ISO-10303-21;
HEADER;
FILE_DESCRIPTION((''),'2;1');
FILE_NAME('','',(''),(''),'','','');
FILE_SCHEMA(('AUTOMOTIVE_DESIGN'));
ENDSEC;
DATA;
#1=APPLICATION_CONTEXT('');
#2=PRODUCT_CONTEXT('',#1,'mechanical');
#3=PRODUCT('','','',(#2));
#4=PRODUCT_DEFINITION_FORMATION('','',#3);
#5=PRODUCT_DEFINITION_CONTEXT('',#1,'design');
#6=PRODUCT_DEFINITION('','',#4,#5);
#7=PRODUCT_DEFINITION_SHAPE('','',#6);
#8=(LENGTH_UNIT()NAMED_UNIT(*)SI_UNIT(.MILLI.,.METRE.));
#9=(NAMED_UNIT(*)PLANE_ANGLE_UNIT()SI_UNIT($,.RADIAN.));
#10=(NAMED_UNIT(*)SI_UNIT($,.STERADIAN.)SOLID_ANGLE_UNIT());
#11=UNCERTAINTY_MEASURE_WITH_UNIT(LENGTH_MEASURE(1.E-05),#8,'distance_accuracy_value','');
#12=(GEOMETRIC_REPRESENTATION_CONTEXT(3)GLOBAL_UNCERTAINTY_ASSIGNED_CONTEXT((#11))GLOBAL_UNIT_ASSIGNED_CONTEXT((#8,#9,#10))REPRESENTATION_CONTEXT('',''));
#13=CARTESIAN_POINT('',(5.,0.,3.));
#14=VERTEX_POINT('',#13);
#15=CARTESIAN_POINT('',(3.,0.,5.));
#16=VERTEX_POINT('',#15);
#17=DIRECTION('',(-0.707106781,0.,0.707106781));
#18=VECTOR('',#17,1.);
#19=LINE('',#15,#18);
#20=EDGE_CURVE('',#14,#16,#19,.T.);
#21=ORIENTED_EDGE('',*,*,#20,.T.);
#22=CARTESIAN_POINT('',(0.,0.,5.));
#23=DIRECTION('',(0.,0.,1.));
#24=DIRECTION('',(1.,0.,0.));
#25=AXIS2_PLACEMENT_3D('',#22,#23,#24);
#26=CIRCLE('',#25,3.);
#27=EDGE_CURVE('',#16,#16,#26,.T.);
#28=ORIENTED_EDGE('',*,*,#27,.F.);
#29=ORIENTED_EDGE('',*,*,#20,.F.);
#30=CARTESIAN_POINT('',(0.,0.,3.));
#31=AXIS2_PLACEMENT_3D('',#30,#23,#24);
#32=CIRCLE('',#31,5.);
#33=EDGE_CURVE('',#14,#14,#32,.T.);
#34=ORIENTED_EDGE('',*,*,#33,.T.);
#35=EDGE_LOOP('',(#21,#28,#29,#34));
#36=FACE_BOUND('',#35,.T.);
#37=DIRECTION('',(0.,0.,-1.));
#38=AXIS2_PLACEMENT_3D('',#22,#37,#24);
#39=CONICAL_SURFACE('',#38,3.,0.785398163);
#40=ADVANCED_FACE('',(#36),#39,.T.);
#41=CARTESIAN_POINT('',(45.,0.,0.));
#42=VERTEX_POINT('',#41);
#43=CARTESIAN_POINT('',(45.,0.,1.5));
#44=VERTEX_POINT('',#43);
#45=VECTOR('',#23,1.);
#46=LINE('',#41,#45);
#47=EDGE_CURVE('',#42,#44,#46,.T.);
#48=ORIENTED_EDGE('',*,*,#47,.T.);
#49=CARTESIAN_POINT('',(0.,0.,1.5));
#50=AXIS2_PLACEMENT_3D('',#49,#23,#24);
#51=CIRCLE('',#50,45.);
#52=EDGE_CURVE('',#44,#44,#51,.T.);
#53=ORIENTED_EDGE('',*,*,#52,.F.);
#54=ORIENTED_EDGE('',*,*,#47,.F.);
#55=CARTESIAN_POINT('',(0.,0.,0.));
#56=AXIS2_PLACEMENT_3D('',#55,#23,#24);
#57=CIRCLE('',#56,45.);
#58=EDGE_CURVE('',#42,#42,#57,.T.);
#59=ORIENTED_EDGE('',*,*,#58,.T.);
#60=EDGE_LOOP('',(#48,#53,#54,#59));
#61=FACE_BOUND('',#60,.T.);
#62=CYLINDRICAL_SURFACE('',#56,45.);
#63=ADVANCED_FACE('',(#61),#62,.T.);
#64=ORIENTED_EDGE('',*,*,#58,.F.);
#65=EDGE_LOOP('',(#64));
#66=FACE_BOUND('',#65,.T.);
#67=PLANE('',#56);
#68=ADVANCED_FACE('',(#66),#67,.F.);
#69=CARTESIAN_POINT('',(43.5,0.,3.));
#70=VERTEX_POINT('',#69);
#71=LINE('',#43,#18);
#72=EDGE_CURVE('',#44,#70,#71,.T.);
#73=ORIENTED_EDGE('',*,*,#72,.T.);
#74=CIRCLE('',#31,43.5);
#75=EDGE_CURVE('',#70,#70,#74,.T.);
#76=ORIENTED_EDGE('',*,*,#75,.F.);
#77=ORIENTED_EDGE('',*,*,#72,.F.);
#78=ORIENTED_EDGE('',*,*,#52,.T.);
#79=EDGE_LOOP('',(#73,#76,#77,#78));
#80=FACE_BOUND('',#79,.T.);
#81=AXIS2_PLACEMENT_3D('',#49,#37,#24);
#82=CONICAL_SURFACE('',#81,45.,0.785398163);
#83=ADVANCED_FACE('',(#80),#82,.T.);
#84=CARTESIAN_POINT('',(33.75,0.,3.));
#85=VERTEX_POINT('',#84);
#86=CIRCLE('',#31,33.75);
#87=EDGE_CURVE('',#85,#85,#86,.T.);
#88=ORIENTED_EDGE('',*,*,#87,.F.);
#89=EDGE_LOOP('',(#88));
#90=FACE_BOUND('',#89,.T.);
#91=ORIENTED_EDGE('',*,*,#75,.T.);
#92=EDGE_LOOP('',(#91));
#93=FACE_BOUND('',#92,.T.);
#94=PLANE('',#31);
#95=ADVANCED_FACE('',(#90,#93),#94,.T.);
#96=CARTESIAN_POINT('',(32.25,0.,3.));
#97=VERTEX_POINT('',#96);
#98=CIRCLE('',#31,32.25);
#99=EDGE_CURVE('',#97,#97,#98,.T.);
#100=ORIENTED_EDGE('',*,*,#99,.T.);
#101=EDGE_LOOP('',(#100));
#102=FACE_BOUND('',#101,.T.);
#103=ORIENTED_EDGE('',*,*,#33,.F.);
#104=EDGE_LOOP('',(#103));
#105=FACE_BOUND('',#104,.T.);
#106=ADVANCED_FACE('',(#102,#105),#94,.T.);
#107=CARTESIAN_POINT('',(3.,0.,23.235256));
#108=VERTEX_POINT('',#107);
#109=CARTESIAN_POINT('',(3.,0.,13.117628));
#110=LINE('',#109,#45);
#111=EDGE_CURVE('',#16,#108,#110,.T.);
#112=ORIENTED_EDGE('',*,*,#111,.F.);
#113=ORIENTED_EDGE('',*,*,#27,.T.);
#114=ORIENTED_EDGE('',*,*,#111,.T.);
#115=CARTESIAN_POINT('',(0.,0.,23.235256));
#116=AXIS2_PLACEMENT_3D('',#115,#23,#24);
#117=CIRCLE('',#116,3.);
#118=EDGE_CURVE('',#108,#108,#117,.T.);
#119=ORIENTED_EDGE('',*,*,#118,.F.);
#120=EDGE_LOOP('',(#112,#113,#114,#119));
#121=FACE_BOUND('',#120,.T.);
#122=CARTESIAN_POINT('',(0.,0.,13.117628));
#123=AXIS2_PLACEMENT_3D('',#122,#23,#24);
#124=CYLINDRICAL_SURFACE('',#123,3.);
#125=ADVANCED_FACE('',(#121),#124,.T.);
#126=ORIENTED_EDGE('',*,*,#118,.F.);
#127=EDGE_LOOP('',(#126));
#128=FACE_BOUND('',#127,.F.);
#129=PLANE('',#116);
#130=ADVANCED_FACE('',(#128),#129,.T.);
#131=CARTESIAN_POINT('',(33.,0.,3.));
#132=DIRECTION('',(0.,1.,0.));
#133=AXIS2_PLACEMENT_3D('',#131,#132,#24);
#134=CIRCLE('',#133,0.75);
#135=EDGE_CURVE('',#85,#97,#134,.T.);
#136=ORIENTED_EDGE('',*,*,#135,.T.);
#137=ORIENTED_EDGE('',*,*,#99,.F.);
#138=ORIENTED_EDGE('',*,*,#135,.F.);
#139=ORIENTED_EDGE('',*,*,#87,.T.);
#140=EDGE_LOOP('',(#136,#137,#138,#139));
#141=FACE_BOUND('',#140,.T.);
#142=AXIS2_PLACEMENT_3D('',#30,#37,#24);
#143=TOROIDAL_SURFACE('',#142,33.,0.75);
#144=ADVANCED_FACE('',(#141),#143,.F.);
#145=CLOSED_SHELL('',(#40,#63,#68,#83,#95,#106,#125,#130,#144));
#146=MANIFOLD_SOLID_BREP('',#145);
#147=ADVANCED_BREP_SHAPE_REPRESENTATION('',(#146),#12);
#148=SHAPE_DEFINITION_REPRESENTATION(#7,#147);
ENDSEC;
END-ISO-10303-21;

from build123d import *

# Parameters (mm, degrees)
F0_W    = 3
F0_H    = 20.235256
F2_SIZE = 1.5
F3_SIZE = 2


with BuildPart() as f1:
    # F0 (on Front) → F1 (revolve)
    with BuildSketch(Plane.XZ):
        with BuildLine():
            Line((0, 3), (0, 0))
            Line((0, 0), (45, 0))
            Line((45, 0), (45, 3))
            Line((45, 3), (33.75, 3))
            ThreePointArc((33.75, 3), (33, 2.25), (32.25, 3))
            Line((32.25, 3), (3, 3))
            Line((3, 3), (0, 3))
        make_face()
        with Locations((1.5, 13.117628)):
            Rectangle(F0_W, F0_H)
    revolve(axis=Axis((0, 0, 18.496849), (0, 0, 1)))

    # F2
    f2_edges = [f1.edges().sort_by_distance(p)[0] for p in [
        (-45, 0, 3),
    ]]
    chamfer(f2_edges, length=F2_SIZE)

    # F3
    f3_edges = [f1.edges().sort_by_distance(p)[0] for p in [
        (-3, 0, 3),
    ]]
    chamfer(f3_edges, length=F3_SIZE)


solid = f1.part
